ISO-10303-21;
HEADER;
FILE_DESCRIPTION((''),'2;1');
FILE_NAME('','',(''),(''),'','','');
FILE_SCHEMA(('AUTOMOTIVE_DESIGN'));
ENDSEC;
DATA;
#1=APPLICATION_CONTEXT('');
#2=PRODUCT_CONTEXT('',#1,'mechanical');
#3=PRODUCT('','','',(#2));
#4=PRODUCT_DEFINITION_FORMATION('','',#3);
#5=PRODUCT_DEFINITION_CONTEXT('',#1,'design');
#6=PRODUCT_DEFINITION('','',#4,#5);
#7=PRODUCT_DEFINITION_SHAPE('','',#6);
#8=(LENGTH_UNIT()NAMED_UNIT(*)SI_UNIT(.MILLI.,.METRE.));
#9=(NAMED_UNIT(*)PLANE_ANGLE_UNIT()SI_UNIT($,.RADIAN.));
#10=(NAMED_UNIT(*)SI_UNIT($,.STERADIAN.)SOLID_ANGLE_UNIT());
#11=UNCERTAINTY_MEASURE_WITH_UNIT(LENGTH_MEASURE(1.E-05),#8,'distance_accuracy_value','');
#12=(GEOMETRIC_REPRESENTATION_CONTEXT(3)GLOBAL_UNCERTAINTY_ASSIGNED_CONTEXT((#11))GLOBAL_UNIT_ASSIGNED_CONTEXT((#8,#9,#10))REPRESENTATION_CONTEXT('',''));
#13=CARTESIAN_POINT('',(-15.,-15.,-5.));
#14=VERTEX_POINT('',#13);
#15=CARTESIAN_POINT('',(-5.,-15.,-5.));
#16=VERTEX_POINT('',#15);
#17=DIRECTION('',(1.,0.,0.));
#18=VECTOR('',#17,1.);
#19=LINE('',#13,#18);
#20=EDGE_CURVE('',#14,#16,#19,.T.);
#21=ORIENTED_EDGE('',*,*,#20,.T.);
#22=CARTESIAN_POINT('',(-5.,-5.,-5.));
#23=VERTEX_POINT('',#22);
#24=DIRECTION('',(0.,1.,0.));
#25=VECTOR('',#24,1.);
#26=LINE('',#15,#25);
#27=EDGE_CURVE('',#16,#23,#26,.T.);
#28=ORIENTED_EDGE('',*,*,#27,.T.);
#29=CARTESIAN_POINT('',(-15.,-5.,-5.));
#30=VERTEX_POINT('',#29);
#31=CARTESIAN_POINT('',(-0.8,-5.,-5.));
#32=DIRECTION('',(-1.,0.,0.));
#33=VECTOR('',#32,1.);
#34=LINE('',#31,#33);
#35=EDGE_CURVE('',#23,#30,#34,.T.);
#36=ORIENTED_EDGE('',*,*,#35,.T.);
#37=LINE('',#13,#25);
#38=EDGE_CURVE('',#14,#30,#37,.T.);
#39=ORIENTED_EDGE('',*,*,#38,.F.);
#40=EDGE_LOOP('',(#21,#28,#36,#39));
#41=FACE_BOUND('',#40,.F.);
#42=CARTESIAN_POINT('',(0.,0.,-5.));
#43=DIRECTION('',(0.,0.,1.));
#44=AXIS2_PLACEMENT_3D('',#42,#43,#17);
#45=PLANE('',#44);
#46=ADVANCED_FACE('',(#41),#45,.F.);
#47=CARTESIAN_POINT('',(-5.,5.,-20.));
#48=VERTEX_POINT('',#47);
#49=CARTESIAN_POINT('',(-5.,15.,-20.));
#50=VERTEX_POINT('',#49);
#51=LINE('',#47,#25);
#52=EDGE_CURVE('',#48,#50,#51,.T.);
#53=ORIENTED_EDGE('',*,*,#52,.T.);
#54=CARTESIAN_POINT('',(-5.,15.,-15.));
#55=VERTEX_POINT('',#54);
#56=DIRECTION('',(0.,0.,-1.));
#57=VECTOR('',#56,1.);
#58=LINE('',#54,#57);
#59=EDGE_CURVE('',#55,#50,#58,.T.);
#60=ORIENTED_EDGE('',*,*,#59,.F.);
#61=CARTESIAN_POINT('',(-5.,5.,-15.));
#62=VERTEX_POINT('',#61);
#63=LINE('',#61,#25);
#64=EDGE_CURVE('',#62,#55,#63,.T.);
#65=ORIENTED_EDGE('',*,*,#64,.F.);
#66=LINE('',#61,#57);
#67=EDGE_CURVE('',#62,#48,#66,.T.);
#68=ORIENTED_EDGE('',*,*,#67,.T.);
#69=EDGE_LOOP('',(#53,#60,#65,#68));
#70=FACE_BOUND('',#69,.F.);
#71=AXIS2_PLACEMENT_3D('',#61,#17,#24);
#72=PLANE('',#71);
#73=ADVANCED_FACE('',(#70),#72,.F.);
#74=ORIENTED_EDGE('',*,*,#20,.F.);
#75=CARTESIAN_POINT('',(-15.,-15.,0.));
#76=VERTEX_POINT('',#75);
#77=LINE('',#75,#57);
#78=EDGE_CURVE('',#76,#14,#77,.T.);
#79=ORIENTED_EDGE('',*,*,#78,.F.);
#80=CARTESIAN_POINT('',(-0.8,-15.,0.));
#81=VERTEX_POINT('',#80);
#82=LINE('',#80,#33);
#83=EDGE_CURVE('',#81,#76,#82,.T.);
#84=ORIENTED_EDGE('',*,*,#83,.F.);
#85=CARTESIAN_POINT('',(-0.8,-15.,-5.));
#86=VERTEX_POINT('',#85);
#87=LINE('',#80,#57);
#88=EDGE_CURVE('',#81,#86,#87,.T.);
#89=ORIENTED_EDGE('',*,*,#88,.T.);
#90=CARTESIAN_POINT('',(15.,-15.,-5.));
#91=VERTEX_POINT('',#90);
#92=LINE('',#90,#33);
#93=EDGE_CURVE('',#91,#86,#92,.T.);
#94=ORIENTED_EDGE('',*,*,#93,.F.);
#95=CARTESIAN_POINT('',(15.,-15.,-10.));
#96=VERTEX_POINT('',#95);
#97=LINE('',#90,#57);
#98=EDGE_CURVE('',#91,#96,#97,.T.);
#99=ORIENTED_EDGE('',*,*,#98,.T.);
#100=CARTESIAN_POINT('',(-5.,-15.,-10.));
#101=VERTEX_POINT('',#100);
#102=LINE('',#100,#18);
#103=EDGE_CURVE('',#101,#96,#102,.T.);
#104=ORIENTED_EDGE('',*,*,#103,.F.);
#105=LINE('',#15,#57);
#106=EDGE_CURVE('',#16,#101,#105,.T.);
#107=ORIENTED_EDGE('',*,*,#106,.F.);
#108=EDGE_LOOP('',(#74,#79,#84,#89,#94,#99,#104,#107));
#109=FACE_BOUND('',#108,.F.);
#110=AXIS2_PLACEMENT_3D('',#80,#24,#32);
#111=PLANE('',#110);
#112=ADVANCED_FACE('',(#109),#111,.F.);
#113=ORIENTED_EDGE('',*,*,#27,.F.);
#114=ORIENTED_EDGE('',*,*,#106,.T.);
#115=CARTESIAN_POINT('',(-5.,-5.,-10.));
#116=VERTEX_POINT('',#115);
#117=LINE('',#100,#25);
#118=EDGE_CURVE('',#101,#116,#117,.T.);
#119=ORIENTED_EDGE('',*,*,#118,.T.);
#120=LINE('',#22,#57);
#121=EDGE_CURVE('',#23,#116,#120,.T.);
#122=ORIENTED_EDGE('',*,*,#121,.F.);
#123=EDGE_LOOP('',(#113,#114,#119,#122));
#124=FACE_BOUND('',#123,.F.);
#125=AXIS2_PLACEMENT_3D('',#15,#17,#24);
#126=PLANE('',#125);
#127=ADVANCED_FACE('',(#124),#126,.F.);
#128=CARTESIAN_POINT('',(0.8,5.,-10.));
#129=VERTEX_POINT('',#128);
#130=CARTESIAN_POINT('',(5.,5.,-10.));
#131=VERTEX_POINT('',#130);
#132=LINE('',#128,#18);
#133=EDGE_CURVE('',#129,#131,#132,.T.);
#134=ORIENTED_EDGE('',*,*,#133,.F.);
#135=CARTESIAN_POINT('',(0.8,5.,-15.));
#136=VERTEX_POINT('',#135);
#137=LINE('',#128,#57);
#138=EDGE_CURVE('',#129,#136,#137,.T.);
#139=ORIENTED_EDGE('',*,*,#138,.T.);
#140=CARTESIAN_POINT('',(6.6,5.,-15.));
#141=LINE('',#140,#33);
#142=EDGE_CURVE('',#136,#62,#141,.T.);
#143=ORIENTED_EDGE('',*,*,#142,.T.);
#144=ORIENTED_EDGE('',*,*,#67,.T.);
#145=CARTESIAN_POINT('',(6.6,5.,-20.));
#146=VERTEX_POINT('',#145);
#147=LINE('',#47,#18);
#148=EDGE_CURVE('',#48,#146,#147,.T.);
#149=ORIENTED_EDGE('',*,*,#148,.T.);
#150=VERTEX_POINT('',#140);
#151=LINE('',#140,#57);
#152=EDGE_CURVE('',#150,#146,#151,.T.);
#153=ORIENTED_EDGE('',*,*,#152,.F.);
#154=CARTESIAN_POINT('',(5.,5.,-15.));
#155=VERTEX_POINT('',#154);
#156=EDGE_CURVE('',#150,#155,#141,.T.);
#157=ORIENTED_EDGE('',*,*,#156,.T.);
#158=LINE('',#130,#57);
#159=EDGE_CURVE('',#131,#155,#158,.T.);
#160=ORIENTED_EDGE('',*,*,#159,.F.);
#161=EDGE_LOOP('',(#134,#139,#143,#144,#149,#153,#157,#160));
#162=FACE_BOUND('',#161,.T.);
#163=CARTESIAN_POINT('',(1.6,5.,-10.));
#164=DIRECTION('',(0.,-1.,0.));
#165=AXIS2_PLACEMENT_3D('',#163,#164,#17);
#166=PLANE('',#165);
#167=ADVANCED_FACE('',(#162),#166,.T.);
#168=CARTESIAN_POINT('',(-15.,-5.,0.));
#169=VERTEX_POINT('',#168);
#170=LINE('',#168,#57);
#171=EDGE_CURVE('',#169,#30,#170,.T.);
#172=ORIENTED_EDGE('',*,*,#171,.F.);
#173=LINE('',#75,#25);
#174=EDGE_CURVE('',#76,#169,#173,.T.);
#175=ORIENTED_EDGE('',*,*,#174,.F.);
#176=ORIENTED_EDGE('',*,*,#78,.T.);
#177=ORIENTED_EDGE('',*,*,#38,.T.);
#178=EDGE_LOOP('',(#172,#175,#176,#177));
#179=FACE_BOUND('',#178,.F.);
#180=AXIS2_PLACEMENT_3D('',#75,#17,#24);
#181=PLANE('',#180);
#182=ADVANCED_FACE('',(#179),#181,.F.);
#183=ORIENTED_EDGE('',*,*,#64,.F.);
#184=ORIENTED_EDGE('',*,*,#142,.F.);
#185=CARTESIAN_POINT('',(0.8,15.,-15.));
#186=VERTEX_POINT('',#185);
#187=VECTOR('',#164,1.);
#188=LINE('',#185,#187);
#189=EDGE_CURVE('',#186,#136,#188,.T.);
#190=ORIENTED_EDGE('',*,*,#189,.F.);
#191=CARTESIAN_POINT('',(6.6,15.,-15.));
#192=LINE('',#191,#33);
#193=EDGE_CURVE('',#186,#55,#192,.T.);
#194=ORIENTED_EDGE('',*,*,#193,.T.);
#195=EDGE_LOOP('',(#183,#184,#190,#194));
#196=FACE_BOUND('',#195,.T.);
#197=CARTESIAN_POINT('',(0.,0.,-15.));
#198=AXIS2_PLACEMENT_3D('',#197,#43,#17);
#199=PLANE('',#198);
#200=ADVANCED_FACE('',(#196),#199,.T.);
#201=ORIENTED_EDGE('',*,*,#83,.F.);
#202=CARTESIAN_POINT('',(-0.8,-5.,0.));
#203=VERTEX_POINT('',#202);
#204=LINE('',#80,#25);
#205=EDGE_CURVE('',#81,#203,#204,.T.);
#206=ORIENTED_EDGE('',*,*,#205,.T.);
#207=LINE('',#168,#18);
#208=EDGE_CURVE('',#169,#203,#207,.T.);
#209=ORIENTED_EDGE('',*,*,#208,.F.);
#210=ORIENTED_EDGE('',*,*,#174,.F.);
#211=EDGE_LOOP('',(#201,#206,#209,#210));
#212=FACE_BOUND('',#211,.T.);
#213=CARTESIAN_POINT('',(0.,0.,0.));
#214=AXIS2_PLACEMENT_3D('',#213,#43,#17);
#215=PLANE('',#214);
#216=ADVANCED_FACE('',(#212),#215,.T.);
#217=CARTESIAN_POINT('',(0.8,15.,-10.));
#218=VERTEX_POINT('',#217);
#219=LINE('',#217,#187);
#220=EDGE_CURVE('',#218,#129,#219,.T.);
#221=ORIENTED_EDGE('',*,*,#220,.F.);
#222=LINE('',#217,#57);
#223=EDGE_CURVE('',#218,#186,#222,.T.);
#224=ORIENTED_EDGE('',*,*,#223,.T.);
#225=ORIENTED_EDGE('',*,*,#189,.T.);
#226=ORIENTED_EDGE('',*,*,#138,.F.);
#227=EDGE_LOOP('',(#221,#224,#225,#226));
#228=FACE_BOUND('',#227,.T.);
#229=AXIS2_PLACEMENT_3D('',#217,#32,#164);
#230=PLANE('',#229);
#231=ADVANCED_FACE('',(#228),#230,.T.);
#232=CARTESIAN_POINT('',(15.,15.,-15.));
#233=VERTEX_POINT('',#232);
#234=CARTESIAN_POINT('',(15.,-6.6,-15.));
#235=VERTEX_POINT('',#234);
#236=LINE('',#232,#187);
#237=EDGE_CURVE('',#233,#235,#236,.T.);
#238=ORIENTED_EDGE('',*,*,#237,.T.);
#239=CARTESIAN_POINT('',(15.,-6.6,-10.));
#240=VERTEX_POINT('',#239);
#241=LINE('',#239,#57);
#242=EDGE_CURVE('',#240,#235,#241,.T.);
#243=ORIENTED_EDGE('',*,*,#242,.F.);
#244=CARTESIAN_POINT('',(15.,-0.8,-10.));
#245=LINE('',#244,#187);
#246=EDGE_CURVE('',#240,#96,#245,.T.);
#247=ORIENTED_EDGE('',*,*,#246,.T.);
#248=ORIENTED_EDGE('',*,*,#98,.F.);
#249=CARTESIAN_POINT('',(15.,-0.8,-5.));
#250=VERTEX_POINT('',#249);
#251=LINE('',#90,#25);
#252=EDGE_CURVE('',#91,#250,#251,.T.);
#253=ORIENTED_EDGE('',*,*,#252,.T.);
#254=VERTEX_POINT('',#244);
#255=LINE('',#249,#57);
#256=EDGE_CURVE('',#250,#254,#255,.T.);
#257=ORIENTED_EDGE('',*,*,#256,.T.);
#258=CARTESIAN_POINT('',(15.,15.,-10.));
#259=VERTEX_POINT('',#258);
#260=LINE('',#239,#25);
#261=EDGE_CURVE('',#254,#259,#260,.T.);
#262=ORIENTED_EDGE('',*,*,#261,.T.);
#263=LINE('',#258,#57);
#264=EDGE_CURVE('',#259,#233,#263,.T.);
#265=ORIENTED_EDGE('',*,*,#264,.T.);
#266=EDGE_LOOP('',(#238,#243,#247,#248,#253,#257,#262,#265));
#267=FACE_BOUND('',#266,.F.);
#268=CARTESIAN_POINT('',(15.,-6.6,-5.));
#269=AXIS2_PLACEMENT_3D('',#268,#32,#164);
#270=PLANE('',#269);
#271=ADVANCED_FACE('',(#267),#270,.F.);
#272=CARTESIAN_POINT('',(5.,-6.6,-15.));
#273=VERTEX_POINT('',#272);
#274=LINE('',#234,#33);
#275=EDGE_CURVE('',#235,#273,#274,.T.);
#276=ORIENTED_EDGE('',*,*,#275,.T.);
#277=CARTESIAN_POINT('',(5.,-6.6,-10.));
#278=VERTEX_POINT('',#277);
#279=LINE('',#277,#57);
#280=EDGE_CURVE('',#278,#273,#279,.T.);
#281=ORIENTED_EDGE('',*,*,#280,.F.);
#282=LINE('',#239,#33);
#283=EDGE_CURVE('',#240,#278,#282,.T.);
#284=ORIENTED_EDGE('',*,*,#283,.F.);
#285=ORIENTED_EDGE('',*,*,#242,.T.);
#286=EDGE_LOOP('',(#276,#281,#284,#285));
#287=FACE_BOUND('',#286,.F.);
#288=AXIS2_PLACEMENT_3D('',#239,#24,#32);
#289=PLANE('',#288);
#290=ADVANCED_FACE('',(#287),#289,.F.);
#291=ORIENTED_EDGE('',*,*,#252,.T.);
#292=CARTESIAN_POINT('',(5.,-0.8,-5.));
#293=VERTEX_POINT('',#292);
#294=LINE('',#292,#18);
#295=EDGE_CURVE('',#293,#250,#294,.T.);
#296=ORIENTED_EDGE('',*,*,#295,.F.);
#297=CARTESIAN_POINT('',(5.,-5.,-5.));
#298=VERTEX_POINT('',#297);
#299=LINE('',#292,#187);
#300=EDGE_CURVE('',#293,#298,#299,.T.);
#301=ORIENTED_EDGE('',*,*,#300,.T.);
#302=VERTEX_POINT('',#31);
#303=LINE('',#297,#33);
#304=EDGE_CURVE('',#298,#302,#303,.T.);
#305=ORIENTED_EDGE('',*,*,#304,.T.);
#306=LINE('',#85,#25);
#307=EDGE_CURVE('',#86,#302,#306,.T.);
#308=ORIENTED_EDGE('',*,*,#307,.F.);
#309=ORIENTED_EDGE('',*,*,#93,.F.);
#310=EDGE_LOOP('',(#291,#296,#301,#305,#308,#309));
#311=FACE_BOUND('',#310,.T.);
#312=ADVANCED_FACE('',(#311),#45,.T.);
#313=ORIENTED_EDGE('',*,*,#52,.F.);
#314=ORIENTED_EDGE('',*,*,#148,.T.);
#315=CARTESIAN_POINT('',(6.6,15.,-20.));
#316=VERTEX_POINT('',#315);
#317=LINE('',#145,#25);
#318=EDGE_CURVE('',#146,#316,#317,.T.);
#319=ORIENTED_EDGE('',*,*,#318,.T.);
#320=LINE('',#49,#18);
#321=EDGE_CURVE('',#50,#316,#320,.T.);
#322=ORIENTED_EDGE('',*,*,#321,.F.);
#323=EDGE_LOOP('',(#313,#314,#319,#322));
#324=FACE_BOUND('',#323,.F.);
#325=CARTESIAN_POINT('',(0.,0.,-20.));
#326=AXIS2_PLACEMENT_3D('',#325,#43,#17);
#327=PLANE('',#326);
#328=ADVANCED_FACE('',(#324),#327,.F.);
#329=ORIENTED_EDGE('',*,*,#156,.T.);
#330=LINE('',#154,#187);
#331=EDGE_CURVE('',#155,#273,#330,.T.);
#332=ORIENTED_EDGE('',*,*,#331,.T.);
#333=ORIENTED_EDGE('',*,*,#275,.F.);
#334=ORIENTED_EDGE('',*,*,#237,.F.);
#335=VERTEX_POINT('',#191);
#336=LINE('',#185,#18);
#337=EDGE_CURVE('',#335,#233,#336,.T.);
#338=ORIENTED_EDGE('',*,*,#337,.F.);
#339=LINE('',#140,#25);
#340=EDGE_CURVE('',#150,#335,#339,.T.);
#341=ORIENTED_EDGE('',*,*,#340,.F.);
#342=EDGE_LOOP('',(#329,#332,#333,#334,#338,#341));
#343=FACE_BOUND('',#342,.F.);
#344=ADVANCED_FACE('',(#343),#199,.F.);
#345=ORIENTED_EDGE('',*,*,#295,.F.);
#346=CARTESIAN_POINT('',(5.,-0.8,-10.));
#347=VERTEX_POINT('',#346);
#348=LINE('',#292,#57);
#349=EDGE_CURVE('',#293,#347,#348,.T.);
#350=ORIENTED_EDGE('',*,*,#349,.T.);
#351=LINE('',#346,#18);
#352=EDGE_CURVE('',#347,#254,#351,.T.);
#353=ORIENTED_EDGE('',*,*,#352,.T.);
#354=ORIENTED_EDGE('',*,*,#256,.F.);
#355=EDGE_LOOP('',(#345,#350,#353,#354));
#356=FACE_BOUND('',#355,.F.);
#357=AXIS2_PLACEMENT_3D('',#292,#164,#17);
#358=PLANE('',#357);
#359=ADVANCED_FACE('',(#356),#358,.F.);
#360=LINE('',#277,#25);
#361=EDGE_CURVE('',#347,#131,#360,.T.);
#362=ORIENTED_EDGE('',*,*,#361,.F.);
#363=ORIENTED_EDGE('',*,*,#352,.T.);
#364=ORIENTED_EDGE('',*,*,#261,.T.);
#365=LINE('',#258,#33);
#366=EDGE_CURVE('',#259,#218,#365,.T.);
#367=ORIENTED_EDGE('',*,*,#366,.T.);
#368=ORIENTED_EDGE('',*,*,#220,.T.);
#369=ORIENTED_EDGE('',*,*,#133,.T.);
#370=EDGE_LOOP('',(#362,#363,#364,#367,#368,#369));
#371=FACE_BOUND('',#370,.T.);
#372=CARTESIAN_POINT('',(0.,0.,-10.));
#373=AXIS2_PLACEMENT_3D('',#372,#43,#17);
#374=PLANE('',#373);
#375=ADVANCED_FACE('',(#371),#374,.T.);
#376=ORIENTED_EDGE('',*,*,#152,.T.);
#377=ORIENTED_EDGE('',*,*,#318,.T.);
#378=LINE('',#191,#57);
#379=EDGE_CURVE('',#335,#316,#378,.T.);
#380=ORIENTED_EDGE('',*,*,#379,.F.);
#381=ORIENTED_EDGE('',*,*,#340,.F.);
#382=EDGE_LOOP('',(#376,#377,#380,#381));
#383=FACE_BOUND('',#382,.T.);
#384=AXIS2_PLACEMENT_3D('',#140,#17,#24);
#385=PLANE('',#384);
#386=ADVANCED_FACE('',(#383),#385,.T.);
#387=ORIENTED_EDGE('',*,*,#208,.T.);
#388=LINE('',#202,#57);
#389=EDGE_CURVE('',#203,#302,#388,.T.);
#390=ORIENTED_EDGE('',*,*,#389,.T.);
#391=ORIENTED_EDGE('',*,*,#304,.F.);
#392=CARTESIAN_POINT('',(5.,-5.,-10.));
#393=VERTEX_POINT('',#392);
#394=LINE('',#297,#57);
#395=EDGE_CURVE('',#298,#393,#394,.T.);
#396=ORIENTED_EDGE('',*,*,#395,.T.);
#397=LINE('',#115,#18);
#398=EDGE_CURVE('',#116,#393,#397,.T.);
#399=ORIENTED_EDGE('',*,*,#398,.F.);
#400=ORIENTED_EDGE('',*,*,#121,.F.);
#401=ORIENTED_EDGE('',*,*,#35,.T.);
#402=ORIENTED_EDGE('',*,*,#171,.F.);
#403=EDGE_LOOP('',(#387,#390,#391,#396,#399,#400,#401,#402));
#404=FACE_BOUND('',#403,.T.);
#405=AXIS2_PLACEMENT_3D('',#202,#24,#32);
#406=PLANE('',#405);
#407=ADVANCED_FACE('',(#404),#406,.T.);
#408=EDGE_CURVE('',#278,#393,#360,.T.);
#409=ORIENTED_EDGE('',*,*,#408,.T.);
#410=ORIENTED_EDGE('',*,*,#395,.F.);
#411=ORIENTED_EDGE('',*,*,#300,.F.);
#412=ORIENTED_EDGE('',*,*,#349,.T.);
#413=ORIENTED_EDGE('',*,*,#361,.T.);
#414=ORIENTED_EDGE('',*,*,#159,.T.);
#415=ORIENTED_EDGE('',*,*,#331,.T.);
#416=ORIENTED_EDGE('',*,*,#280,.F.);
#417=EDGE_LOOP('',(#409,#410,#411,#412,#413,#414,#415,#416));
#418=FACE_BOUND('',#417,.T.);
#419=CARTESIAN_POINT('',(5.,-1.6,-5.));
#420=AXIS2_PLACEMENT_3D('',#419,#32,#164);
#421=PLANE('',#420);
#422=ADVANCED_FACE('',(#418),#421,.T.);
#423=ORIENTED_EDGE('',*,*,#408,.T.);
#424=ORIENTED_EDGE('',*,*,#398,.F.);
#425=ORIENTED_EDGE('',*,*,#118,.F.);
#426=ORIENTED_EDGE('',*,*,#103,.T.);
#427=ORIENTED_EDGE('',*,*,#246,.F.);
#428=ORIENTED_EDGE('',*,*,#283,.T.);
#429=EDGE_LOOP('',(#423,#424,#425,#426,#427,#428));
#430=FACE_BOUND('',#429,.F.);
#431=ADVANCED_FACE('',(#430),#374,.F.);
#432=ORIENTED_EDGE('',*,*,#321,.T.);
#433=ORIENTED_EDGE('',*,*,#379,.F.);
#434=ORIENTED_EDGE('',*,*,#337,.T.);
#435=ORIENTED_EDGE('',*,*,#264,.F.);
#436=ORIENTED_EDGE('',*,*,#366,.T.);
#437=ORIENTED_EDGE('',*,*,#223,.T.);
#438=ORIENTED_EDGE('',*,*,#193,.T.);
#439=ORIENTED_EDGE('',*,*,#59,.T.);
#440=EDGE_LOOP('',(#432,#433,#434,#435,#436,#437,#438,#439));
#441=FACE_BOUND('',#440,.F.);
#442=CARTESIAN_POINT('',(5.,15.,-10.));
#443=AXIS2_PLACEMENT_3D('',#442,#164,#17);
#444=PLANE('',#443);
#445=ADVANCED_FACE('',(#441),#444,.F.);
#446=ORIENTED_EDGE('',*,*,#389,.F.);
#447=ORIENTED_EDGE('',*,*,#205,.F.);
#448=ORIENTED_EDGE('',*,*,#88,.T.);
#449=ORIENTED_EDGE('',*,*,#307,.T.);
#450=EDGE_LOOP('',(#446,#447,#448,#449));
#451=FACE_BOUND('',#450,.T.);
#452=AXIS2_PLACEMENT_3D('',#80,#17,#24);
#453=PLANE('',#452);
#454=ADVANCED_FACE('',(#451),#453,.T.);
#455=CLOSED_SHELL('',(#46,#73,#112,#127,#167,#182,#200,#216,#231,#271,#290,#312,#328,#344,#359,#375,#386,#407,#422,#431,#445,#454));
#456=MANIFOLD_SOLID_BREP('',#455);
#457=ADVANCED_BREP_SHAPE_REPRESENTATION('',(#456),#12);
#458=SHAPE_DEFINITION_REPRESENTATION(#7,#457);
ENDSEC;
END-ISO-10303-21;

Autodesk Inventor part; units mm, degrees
ref_plane "YZ Plane" through (0, 0, 0) normal (1, 0, 0) x (0, 1, 0)
ref_plane "XZ Plane" through (0, 0, 0) normal (0, 1, 0) x (-1, 0, 0)
ref_plane "XY Plane" through (0, 0, 0) normal (0, 0, 1) x (1, 0, 0)
sketch "草圖15" plane through (0, 0, 0) normal (0, 0, 1) x (1, 0, 0)
  line L0 (5, -5) -> (-5, -5)
  line L1 (-5, -5) -> (-5, 5)
  line L2 (-5, 5) -> (5, 5)
  line L3 (5, 5) -> (5, -5)
  line L4 (5, -5) -> (-5, 5) construction
  line L5 (-5, -5) -> (5, 5) construction
  line L6 (15, -15) -> (-15, -15)
  line L7 (-15, -15) -> (-15, 15)
  line L8 (-15, 15) -> (15, 15)
  line L9 (15, 15) -> (15, -15)
  line L10 (15, -15) -> (-15, 15) construction
  line L11 (-15, -15) -> (15, 15) construction
  line L12 (-15, -15) -> (-0.8, -15)
  line L13 (-0.8, -15) -> (-0.8, -5)
  line L14 (-0.8, -5) -> (-15, -5)
  line L15 (-15, -5) -> (-15, -15)
  line L16 (15, -15) -> (-1.6, -15)
  line L17 (-1.6, -5) -> (15, -5)
  line L18 (15, -5) -> (15, -15)
  line L19 (15, -15) -> (5, -15)
  line L20 (5, -15) -> (5, -0.8)
  line L21 (5, -0.8) -> (15, -0.8)
  line L22 (15, -0.8) -> (15, -15)
  line L23 (15, 15) -> (5, 15)
  line L24 (5, 15) -> (5, -1.6)
  line L25 (15, -1.6) -> (15, 15)
  line L26 (15, 15) -> (0.8, 15)
  line L27 (0.8, 15) -> (0.8, 5)
  line L28 (0.8, 5) -> (15, 5)
  line L29 (15, 5) -> (15, 15)
  line L30 (-15, 15) -> (1.6, 15)
  line L31 (1.6, 5) -> (-15, 5)
  line L32 (-15, 5) -> (-15, 15)
  line L33 (-5, -5) -> (-15, -5)
  line L34 (-15, -5) -> (-15, -15)
  line L35 (-15, -15) -> (-5, -15)
  line L36 (-5, -15) -> (-5, -5)
  line L37 (-0.8, -15) -> (-6.6, -15)
  line L38 (-6.6, -15) -> (-6.6, -5)
  line L39 (-6.6, -5) -> (-0.8, -5)
  line L40 (-0.8, -5) -> (-0.8, -15)
  line L41 (5, -0.8) -> (15, -0.8)
  line L42 (15, -0.8) -> (15, -6.6)
  line L43 (15, -6.6) -> (5, -6.6)
  line L44 (5, -6.6) -> (5, -0.8)
  line L45 (0.8, 5) -> (6.6, 5)
  line L46 (6.6, 5) -> (6.6, 15)
  line L47 (6.6, 15) -> (0.8, 15)
  line L48 (0.8, 15) -> (0.8, 5)
  line L49 (0.8, 5) -> (-5, 5)
  line L50 (-5, 5) -> (-5, 15)
  line L51 (-5, 15) -> (0.8, 15)
  line L52 (0.8, 15) -> (0.8, 5)
  point P0 (0, 0)
  point P1 (0, 0)
  point P2 (-15, -5)
  point P3 (15, -0.8)
  point P4 (5, -15)
  point P5 (0.8, 15)
  point P6 (-15, 5)
  point P7 (-5, 5)
  point P8 (15, -5)
  point P9 (-5, -15)
  point P10 (5, 5)
  point P11 (5, 15)
  point P12 (0.8, 15)
  point P13 (-6.6, -5)
  point P14 (-6.6, -15)
  point P15 (5, -6.6)
  point P16 (15, -6.6)
  point P17 (-5, 5)
  point P18 (5, 5)
  point P19 (6.6, 5)
  point P20 (6.6, 15)
  dimension "d38" = 10
  dimension "d39" = 10
  dimension "d40" = 0.8
  dimension "d42" = 0.8
  dimension "d48" = 0.8
  dimension "d54" = 0
  dimension "d55" = 5.8
  dimension "d56" = 5.8
  dimension "d57" = 5.8
  dimension "d58" = 10
extrude "擠出10" add sketch "草圖15" against normal blind 5 contours L13 L6 L36 L0 | L36 L6 L38 L14 | L38 L6 L7 L14
extrude "擠出11" add sketch "草圖15" against normal blind 5 from surface at -5 contours L20 L6 L13 L0 | L3 L21 L9 L17 | L17 L9 L43 L20 | L13 L6 L36 L0 | L43 L9 L6 L20
extrude "擠出12" add sketch "草圖15" against normal blind 5 from surface at -10 contours L3 L21 L9 L17 | L17 L9 L43 L20 | L3 L28 L9 L21 | L2 L27 L8 L24 | L24 L8 L46 L28 | L46 L8 L9 L28
extrude "擠出13" add sketch "草圖15" against normal blind 5 from surface at -15 contours L2 L27 L8 L24 | L24 L8 L46 L28 | L50 L8 L27 L2
equation "\"d39\" = width"
equation "\"d40\" = gap"
equation "\"d42\" = gap"
equation "\"d48\" = gap"
equation "\"d55\" = stack"
equation "\"d56\" = stack"
equation "\"d57\" = stack"
equation "\"d44\" = height"
equation "\"d46\" = height"
equation "\"d50\" = height"
equation "\"d52\" = height"
equation "\"width\" = 10"
equation "\"height\" = 5"
equation "\"gap\" = 0.8"
equation "\"stack\" = 5.8"
properties part number "Template_ladder_2"
